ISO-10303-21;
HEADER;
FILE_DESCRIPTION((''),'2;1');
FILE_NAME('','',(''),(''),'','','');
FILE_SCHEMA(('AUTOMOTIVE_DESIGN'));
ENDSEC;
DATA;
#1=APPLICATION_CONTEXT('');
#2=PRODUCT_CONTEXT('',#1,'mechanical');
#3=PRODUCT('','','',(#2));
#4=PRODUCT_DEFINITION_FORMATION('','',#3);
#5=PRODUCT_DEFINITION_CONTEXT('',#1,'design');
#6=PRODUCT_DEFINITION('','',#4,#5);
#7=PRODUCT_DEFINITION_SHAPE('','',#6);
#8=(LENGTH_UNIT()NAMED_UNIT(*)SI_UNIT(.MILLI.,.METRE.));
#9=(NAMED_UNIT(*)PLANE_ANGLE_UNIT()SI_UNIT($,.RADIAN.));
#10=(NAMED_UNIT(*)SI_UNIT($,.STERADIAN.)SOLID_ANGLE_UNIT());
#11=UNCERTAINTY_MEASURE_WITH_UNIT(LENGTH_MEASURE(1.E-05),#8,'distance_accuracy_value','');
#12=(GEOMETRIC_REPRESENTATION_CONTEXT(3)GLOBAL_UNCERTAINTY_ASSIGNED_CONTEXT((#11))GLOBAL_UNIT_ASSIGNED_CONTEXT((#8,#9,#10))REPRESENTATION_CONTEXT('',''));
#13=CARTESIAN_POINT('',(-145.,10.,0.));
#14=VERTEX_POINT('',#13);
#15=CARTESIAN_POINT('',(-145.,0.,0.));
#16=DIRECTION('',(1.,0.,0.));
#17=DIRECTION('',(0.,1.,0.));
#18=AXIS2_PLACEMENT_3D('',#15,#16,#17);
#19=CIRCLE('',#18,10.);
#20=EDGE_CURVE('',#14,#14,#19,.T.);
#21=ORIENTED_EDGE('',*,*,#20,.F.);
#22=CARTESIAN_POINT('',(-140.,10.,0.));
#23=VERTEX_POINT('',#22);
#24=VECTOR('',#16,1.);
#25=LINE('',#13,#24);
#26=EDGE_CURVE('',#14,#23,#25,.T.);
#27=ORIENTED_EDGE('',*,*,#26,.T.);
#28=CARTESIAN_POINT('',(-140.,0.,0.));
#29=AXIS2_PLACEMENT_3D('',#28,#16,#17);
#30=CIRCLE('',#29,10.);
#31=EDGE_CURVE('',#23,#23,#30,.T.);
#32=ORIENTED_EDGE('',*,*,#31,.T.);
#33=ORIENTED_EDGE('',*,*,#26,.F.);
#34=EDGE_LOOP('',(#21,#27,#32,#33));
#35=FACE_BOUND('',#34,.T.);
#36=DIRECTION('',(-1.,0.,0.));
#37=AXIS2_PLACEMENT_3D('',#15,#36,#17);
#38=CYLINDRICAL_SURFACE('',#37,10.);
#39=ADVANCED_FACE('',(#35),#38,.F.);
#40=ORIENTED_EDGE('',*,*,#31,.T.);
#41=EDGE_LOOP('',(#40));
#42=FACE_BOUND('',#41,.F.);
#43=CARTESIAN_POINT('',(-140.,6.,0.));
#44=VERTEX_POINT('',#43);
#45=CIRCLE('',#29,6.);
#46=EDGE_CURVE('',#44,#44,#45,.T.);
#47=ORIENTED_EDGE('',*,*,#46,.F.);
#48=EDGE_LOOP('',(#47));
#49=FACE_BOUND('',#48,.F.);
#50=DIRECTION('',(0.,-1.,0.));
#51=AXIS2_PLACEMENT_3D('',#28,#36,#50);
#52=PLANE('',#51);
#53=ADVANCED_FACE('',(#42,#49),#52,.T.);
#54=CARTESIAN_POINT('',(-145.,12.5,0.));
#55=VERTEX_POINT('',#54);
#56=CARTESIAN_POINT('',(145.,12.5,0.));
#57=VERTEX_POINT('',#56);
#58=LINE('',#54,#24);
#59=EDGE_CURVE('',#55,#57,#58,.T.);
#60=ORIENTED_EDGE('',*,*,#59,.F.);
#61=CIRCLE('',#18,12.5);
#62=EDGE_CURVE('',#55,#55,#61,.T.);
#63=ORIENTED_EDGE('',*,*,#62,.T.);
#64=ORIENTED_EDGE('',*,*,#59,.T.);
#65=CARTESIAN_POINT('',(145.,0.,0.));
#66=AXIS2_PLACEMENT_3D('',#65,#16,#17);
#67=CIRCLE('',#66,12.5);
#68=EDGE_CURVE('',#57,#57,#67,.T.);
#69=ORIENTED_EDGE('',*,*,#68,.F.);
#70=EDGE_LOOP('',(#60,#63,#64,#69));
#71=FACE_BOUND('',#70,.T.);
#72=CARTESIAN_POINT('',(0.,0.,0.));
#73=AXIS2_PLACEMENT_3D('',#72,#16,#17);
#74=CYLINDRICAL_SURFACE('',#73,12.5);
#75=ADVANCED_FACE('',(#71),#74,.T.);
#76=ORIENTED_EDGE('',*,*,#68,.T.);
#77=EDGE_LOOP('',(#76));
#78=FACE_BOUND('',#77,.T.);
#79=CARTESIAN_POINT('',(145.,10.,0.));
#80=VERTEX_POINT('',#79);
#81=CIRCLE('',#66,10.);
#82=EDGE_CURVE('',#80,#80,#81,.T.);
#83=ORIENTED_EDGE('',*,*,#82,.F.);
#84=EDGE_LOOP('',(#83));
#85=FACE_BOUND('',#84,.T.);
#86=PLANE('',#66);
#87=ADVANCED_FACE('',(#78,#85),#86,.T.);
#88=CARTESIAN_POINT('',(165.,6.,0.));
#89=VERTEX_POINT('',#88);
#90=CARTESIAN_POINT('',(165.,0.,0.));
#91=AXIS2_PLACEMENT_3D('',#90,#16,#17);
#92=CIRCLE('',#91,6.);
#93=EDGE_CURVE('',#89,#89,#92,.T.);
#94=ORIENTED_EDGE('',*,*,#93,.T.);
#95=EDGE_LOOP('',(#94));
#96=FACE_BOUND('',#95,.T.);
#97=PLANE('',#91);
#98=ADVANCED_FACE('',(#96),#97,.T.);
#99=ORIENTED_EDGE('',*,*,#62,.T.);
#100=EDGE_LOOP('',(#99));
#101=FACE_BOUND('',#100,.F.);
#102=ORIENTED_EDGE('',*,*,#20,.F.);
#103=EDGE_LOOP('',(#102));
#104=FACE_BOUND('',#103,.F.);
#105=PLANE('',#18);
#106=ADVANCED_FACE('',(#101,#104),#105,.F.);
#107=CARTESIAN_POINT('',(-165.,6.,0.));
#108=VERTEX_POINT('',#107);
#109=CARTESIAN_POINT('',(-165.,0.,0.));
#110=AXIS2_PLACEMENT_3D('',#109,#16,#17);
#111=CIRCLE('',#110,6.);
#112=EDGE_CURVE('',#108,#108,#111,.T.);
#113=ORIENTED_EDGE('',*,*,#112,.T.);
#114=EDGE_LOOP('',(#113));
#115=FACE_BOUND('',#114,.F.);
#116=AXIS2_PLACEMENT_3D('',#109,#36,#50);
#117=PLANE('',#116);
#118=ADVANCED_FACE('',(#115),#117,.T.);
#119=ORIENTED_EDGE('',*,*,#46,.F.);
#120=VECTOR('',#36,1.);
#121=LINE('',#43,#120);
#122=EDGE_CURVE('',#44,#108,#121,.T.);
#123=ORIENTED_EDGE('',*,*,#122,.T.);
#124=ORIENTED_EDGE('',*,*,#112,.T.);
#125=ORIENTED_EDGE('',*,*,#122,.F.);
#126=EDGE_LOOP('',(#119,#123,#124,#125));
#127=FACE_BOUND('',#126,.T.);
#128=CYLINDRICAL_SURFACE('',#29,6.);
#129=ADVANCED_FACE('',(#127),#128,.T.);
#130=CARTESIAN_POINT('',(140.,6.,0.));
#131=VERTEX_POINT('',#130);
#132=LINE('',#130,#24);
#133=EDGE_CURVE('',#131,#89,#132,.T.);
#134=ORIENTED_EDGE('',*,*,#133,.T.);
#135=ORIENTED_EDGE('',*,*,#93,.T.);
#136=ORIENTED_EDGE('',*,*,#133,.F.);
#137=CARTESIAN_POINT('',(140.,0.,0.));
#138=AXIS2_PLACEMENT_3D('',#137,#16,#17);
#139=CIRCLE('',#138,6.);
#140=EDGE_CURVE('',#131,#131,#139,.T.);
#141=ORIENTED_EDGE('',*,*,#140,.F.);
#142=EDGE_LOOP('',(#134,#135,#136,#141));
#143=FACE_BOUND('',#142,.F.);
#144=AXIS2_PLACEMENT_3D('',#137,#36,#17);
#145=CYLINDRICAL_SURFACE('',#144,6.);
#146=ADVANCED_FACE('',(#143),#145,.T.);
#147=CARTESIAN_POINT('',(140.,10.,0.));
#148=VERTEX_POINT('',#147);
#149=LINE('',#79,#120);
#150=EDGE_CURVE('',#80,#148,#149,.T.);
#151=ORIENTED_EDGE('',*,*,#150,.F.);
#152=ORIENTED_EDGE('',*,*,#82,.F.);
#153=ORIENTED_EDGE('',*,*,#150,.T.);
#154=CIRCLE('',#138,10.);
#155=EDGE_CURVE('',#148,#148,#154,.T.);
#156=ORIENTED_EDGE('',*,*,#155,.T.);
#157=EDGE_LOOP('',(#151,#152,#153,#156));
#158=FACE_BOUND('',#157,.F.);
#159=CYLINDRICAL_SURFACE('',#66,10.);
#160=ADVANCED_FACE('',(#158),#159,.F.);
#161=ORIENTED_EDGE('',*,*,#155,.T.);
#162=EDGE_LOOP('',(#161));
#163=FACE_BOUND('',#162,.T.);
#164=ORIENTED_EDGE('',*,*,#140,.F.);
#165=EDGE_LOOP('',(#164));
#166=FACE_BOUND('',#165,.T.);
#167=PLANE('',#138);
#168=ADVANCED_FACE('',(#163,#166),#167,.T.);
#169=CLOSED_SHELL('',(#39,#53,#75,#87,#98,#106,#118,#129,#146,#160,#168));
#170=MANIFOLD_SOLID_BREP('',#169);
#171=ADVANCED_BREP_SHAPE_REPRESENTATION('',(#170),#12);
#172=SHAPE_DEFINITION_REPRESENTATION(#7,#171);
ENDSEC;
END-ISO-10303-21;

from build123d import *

# Parameters (mm, degrees)
SKETCH_R     = 12.5
PAD_DEPTH    = 145
SKETCH001_R  = 10
POCKET_DEPTH = 5
SKETCH002_R  = 6
PAD001_DEPTH = 25


with BuildPart() as part:
    # Sketch → Pad (new body, symmetric)
    with BuildSketch(Plane.YZ):
        Circle(SKETCH_R)
    extrude(amount=PAD_DEPTH, both=True)

    # Sketch001 (on Face3 of Pad) → Pocket (cut)
    with BuildSketch(Plane.YZ.offset(145)):
        Circle(SKETCH001_R)
    pocket = extrude(amount=-POCKET_DEPTH, mode=Mode.SUBTRACT)

    # Sketch002 (on Face5 of Pocket) → Pad001 (join)
    with BuildSketch(Plane.YZ.offset(140)):
        Circle(SKETCH002_R)
    pad001 = extrude(amount=PAD001_DEPTH)

    # Mirrored: Pocket, Pad001 across YZ
    add(pocket.mirror(Plane.YZ), mode=Mode.SUBTRACT)
    add(pad001.mirror(Plane.YZ))


solid = part.part
